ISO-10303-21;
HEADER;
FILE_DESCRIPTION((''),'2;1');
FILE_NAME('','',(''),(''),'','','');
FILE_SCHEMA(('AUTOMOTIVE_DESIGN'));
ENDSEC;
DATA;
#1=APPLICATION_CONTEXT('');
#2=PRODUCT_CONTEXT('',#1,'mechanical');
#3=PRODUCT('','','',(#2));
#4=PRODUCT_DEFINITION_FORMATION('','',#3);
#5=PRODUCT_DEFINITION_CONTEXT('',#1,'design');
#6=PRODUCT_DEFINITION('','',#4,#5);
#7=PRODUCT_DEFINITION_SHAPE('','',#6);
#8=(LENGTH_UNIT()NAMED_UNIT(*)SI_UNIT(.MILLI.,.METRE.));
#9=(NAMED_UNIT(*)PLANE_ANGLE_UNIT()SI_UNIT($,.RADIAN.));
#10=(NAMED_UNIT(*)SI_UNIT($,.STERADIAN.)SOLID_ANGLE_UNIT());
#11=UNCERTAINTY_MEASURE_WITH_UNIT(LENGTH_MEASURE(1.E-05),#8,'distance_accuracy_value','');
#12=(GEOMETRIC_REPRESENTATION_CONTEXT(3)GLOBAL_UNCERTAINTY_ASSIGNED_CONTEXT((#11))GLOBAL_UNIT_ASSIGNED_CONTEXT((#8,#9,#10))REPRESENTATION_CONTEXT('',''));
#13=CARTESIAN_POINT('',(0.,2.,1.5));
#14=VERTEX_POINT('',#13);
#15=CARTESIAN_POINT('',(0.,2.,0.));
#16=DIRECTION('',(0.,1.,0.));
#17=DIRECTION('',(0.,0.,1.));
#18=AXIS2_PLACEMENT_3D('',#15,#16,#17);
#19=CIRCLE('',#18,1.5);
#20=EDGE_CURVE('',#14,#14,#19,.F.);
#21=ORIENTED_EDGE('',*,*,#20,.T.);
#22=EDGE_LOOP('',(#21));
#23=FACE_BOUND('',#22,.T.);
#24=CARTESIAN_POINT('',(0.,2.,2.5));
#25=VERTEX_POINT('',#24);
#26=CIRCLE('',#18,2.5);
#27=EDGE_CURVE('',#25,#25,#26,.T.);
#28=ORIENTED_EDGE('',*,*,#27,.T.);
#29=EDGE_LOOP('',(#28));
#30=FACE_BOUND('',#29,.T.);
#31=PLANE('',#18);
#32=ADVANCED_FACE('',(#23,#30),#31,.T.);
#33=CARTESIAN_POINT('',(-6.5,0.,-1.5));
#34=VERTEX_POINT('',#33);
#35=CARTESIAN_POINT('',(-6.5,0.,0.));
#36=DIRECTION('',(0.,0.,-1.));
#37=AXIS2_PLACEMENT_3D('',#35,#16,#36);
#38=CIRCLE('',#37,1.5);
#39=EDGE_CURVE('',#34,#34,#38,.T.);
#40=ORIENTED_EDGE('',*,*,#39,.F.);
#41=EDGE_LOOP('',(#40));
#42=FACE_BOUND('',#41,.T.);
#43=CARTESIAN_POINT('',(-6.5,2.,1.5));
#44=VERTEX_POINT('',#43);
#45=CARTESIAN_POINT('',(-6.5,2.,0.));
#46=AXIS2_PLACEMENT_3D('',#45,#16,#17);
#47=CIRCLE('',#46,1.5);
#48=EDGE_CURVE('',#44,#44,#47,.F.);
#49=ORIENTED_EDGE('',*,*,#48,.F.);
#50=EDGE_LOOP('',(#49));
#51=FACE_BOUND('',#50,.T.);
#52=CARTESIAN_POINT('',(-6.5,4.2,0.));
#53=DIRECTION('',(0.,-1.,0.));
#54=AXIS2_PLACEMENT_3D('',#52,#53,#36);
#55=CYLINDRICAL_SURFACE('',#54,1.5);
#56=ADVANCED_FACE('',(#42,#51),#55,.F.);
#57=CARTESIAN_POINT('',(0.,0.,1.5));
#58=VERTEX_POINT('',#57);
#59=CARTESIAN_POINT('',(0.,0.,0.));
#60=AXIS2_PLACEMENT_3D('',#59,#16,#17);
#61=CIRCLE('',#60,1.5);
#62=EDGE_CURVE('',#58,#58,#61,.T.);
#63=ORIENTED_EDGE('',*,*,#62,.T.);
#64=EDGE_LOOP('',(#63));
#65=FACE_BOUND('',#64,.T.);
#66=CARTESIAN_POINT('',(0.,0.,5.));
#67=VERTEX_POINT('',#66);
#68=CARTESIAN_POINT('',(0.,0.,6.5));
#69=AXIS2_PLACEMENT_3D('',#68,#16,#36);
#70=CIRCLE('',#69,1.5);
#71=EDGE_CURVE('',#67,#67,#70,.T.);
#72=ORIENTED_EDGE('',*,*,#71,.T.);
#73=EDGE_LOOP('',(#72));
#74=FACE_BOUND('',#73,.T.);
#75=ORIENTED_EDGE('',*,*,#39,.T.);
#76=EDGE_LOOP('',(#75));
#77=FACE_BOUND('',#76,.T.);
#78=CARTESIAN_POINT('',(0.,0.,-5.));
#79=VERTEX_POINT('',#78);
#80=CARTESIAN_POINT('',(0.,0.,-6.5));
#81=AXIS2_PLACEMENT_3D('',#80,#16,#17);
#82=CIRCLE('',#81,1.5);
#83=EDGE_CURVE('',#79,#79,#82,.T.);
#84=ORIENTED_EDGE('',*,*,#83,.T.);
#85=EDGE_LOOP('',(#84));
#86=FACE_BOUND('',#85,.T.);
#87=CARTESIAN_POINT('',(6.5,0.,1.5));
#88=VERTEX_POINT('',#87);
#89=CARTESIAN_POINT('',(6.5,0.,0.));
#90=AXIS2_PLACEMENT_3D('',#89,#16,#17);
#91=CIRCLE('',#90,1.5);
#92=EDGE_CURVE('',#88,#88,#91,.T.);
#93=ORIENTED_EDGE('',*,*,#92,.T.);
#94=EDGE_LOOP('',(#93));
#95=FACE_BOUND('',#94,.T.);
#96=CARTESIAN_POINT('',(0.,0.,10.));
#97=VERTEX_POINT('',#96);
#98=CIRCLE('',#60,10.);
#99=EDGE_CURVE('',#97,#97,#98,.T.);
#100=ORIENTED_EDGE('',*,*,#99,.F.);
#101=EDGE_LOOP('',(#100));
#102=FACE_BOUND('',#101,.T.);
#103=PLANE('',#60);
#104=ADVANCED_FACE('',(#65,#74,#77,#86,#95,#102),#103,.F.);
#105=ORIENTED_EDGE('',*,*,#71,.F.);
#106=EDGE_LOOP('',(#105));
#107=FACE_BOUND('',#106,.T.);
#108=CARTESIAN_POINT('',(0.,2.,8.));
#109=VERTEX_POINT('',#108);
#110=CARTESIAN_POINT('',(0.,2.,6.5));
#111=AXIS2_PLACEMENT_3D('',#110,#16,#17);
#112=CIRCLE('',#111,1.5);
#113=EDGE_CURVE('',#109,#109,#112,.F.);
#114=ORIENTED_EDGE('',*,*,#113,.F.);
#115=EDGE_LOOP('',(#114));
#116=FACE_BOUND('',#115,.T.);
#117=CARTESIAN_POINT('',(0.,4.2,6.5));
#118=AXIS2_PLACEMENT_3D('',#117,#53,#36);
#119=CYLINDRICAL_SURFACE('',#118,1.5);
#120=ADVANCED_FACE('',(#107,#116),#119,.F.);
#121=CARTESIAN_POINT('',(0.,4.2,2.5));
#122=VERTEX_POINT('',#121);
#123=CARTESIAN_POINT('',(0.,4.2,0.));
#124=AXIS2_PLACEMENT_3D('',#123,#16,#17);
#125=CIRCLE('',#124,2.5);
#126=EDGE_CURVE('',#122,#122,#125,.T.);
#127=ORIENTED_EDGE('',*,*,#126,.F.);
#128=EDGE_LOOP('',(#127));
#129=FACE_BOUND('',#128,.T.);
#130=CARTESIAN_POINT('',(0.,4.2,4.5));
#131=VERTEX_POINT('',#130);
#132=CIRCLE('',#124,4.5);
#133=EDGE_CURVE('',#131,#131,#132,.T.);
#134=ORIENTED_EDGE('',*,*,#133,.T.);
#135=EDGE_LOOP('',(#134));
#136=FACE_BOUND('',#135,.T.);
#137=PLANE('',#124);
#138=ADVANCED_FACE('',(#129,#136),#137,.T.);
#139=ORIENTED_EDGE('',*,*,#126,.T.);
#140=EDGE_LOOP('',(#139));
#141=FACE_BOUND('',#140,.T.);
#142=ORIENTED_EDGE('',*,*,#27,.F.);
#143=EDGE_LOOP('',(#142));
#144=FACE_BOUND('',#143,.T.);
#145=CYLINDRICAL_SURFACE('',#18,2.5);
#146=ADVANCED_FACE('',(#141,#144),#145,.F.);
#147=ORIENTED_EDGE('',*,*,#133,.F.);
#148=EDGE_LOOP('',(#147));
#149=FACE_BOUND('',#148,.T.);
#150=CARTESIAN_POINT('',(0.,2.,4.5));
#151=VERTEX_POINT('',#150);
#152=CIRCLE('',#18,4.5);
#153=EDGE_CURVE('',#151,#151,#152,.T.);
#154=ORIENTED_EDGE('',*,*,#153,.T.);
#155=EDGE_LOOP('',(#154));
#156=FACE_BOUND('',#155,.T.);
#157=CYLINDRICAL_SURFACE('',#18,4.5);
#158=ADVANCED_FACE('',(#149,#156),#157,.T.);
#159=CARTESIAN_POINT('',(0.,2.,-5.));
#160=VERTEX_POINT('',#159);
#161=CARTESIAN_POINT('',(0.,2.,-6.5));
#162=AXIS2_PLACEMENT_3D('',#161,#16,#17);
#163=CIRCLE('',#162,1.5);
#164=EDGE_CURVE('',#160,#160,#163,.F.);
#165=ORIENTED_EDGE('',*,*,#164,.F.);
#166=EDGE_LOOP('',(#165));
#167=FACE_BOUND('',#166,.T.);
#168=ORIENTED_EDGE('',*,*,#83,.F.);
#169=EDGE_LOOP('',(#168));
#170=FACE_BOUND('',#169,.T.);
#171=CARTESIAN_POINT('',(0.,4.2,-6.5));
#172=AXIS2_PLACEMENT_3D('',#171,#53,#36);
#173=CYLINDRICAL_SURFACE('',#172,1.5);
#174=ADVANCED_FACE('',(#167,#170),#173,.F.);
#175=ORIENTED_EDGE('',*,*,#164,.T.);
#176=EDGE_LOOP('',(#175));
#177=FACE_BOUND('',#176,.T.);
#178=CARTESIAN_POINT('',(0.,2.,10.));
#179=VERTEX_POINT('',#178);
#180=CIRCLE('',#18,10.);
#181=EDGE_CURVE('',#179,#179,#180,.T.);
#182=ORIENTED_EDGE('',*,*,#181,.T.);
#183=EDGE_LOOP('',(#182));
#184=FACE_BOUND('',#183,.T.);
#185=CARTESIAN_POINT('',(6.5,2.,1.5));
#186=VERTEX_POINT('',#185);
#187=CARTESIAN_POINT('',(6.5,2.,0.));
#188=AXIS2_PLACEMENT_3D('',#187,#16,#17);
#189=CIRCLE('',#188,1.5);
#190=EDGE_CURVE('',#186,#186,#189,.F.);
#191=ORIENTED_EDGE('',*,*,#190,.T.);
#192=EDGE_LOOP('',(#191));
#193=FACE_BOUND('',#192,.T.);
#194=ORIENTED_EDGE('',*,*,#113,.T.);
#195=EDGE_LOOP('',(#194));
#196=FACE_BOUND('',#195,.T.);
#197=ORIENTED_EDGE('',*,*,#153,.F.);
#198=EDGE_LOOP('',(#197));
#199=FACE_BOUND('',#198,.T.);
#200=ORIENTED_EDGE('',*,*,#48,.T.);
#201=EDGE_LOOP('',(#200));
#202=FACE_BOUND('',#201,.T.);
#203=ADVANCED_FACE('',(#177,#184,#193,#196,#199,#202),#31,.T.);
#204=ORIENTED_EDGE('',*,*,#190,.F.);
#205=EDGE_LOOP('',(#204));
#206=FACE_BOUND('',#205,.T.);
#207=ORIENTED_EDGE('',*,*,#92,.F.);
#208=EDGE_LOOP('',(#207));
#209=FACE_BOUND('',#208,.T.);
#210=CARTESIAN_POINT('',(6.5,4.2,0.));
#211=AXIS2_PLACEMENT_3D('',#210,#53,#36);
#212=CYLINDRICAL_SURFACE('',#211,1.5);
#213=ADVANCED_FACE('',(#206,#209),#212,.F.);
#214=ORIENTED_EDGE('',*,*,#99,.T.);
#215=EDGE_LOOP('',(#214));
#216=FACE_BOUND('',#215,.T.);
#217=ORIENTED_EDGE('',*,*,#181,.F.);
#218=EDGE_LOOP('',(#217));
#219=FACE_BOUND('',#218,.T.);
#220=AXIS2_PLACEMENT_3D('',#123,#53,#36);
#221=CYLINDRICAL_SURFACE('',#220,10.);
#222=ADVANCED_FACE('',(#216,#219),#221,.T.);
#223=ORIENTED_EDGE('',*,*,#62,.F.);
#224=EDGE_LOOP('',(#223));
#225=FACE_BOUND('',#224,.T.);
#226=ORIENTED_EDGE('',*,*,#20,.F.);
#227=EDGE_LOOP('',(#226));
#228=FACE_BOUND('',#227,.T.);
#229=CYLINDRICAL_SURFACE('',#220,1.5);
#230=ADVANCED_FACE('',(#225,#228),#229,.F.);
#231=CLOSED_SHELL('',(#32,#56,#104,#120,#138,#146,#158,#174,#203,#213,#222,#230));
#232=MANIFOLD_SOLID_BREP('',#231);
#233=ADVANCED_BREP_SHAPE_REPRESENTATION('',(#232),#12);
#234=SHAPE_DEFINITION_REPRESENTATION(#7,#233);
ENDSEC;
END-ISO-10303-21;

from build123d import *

# Parameters (mm, degrees)
SKETCH_1_R          = 10
SKETCH_1_R_2        = 1.5
EXTRUDE_1_DEPTH     = 4.2
SKETCH_2_R          = 10
SKETCH_2_R_2        = 4.5
SKETCH_2_R_3        = 1.5
SKETCH_2_R_4        = 2.5
CUT_EXTRUDE_1_DEPTH = 2.2


with BuildPart() as part:
    # 草图1 → 凸台-拉伸1 (new body)
    with BuildSketch(Plane(origin=(0, 0, 0), x_dir=(1, 0, 0), z_dir=(0, 1, 0))):
        Circle(SKETCH_1_R)
        with Locations((0, 6.5)):
            Circle(SKETCH_1_R_2, mode=Mode.SUBTRACT)
        with Locations((0, -6.5)):
            Circle(SKETCH_1_R_2, mode=Mode.SUBTRACT)
        with Locations((6.5, 0)):
            Circle(SKETCH_1_R_2, mode=Mode.SUBTRACT)
        with Locations((-6.5, 0)):
            Circle(SKETCH_1_R_2, mode=Mode.SUBTRACT)
        Circle(SKETCH_1_R_2, mode=Mode.SUBTRACT)
    extrude(amount=EXTRUDE_1_DEPTH)

    # 草图2 → 切除-拉伸1 (cut)
    with BuildSketch(Plane(origin=(0, 4.2, 0), x_dir=(1, 0, 0), z_dir=(0, 1, 0))):
        Circle(SKETCH_2_R)
        Circle(SKETCH_2_R_2, mode=Mode.SUBTRACT)
        with Locations((0, 6.5)):
            Circle(SKETCH_2_R_3, mode=Mode.SUBTRACT)
        with Locations((-6.5, 0)):
            Circle(SKETCH_2_R_3, mode=Mode.SUBTRACT)
        with Locations((0, -6.5)):
            Circle(SKETCH_2_R_3, mode=Mode.SUBTRACT)
        with Locations((6.5, 0)):
            Circle(SKETCH_2_R_3, mode=Mode.SUBTRACT)
        Circle(SKETCH_2_R_4)
        Circle(SKETCH_2_R_3, mode=Mode.SUBTRACT)
    extrude(amount=-CUT_EXTRUDE_1_DEPTH, mode=Mode.SUBTRACT)


solid = part.part
